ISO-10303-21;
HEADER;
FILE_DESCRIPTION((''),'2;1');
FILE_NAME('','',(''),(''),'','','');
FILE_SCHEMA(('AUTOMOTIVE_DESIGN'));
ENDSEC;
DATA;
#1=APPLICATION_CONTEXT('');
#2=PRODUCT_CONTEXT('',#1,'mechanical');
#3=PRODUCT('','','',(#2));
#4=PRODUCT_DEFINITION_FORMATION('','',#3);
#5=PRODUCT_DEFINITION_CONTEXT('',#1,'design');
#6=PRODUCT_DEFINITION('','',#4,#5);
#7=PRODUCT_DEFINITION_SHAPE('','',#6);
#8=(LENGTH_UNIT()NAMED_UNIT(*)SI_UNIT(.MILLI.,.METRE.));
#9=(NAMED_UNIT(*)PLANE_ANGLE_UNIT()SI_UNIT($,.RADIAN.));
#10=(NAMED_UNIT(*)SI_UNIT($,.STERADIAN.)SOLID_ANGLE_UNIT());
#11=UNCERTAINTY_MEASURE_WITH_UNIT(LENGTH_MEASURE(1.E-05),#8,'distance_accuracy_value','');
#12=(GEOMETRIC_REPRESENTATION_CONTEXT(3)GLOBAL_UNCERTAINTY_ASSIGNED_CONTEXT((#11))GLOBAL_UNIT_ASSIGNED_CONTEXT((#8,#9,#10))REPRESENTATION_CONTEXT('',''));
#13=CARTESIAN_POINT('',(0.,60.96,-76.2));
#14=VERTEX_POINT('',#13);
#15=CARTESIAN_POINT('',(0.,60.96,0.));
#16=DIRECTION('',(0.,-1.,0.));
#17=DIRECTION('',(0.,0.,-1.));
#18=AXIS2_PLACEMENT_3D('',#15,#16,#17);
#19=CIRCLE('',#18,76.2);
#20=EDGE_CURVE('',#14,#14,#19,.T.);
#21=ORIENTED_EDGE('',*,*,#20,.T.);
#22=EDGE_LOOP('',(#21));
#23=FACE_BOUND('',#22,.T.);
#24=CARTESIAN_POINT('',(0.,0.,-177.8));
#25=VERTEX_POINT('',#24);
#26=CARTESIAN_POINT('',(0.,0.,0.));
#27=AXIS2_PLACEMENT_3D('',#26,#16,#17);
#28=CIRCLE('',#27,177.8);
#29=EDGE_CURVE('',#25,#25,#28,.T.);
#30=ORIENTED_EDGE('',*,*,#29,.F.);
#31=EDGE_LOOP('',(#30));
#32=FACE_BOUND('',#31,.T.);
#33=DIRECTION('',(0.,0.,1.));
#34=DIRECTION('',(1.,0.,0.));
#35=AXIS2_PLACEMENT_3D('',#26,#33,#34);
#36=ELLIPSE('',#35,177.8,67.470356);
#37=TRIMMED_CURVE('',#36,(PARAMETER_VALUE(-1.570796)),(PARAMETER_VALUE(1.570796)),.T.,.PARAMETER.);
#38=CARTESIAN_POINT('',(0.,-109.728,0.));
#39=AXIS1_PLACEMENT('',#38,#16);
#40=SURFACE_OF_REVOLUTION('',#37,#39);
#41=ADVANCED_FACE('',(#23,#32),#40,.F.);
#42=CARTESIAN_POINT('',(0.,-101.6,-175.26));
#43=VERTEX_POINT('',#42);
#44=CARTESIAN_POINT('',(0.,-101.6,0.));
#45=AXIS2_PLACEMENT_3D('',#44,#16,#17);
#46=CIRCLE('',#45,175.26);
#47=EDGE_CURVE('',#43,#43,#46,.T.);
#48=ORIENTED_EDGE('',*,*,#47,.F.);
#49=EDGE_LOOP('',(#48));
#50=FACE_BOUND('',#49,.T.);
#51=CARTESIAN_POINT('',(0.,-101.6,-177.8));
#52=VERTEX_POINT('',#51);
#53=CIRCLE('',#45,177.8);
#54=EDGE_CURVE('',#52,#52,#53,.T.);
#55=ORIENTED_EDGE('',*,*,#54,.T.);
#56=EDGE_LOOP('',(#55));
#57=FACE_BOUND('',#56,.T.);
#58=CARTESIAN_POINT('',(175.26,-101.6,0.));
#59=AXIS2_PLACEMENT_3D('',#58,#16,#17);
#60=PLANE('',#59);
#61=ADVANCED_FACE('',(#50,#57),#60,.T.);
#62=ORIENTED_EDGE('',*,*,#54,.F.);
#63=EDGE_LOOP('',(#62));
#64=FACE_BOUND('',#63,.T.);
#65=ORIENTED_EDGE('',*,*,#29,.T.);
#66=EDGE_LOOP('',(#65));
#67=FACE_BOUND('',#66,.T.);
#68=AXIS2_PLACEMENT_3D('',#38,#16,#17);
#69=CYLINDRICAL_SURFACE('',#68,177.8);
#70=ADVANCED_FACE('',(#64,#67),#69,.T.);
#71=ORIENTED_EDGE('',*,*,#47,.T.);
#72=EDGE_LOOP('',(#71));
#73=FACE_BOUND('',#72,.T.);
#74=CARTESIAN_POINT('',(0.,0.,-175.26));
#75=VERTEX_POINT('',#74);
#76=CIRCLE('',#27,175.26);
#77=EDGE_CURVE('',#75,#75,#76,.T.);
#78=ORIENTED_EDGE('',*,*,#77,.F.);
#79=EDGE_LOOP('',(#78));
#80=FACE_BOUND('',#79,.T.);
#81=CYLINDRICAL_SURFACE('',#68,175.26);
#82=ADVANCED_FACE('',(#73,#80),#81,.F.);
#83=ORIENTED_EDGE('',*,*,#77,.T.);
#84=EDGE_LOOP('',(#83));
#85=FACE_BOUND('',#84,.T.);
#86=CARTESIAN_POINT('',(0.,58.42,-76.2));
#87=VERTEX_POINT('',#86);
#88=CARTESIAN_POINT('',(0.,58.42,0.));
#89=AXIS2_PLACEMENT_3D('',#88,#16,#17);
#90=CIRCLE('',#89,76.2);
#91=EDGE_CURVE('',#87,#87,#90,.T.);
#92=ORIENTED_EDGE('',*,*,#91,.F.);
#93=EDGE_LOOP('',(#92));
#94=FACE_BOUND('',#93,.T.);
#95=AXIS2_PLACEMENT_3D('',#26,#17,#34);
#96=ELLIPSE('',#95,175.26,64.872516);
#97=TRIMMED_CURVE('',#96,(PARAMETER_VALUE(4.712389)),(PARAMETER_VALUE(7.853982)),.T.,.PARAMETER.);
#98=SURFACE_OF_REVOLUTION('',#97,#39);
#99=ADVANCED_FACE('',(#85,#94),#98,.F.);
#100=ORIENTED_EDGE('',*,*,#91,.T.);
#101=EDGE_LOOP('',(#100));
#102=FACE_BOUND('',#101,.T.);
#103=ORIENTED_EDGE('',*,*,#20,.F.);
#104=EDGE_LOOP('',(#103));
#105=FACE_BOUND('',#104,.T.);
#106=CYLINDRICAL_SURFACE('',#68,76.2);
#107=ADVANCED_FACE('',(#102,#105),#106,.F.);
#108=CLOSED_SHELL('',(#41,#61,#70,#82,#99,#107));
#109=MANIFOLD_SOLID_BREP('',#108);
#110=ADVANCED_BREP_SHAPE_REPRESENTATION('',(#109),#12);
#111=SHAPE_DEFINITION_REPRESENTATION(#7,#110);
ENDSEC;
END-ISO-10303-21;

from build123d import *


with BuildPart() as part:
    # Sketch1 → Revolve1 (revolve)
    with BuildSketch(Plane.XY, mode=Mode.PRIVATE) as revolve1_sk:
        with BuildLine():
            Line((175.26, -101.6), (175.26, 0))
            add(Edge.make_bspline(
                [(175.26, 0), (175.26, 40.716969697), (76.2, 58.42)],
                knots=[0, 0, 0, 1.120999466, 1.120999466, 1.120999466], degree=2, weights=[1, 0.846989554, 1]))
            Line((76.2, 58.42), (76.2, 60.96))
            add(Edge.make_bspline(
                [(177.8, 0), (177.8, 42.672), (76.2, 60.96)],
                knots=[0, 0, 0, 1.127885283, 1.127885283, 1.127885283], degree=2, weights=[1, 0.845154255, 1]))
            Line((177.8, 0), (177.8, -101.6))
            Line((177.8, -101.6), (175.26, -101.6))
        make_face()
    revolve(revolve1_sk.sketch.rotate(Axis((0, -109.728, 0), (0, 1, 0)), 90), axis=Axis((0, -109.728, 0), (0, 1, 0)))


solid = part.part
